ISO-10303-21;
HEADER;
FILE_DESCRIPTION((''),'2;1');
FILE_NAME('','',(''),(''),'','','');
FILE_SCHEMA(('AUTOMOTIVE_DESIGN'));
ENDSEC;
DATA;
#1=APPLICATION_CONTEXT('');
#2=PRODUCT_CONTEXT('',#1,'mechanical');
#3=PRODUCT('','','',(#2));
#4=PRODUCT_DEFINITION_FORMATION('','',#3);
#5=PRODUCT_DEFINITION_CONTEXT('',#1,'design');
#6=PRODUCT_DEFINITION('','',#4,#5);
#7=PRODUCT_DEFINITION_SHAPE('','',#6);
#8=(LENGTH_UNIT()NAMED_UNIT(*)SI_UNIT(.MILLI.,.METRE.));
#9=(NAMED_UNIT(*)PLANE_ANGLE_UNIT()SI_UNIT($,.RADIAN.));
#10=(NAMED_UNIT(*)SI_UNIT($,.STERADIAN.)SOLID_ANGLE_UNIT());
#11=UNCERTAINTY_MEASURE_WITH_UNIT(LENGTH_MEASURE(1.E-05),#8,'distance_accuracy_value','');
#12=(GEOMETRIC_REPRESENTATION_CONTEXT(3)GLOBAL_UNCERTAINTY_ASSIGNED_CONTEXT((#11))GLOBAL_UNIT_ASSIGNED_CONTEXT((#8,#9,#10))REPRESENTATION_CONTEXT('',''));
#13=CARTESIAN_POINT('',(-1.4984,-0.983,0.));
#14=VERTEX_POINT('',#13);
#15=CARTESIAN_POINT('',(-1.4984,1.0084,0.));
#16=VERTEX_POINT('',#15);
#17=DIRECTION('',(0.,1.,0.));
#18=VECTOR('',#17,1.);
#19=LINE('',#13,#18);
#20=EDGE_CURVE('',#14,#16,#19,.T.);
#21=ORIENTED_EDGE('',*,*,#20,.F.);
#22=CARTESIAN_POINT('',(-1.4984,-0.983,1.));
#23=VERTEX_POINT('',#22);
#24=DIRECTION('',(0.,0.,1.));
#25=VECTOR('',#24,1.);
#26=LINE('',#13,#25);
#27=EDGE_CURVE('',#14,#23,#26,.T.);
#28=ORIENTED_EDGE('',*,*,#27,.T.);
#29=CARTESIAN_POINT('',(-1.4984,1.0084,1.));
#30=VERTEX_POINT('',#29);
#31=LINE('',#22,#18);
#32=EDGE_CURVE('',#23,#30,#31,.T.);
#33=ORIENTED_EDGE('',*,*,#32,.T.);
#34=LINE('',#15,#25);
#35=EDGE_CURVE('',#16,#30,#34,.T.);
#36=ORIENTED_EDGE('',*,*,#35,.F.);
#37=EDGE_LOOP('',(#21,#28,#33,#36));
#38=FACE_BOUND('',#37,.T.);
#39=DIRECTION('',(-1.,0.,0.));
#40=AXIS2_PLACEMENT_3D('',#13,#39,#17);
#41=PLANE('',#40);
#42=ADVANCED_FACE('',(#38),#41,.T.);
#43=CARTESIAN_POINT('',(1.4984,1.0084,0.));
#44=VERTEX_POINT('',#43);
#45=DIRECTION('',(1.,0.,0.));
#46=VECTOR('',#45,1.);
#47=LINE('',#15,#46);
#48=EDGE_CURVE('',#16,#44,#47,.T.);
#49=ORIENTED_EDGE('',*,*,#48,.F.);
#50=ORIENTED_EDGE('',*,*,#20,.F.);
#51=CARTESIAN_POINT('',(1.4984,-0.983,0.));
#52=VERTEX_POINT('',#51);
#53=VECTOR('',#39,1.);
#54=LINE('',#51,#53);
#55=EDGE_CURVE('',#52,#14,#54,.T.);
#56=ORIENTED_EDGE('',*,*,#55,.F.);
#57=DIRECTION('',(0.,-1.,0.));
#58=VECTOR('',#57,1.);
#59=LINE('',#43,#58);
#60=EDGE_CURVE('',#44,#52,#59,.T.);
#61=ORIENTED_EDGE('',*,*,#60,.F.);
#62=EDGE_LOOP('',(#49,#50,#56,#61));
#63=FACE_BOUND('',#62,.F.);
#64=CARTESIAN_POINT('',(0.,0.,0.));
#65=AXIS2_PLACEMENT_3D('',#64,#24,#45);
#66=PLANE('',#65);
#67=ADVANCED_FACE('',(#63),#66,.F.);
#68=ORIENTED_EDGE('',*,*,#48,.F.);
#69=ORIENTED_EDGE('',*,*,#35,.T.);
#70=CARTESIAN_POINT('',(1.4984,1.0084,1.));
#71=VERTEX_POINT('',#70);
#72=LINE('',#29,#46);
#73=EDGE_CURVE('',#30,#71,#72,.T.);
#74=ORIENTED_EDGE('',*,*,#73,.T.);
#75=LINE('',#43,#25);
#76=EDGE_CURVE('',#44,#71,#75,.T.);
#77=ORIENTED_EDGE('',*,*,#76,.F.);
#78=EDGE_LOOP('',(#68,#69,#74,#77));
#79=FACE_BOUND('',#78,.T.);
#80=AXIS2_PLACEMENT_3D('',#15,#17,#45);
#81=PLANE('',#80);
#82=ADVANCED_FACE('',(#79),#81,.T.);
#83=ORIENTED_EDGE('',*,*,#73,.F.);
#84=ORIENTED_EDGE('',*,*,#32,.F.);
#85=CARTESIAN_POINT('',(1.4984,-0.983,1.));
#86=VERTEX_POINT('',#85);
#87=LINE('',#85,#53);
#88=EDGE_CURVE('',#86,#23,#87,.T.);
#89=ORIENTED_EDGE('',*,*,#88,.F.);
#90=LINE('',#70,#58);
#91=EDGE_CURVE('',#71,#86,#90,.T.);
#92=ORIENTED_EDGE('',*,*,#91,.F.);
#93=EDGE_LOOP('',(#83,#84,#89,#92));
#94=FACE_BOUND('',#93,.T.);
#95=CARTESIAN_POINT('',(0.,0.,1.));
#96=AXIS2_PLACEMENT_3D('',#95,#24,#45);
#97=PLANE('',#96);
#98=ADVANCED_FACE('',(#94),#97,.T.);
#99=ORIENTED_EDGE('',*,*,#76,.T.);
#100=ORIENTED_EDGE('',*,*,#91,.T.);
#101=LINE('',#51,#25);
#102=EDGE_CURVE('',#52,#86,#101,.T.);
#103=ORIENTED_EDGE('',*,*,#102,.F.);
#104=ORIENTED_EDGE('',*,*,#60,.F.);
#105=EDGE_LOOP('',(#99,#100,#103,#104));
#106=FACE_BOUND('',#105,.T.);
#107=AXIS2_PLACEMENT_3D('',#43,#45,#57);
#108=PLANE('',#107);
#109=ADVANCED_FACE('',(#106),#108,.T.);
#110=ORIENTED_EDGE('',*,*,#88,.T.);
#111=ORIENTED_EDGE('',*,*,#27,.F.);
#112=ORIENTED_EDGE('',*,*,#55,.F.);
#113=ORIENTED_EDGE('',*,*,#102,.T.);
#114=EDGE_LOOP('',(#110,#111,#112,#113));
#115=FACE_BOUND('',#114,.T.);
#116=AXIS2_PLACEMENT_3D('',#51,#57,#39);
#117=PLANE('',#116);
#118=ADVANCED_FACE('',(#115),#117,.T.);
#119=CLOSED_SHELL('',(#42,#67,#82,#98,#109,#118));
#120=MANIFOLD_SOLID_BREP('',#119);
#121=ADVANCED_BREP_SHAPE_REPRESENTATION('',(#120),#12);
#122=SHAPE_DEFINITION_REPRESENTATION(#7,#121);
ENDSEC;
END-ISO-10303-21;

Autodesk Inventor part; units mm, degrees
ref_plane "YZ Plane" through (0, 0, 0) normal (1, 0, 0) x (0, 1, 0)
ref_plane "XZ Plane" through (0, 0, 0) normal (0, 1, 0) x (-1, 0, 0)
ref_plane "XY Plane" through (0, 0, 0) normal (0, 0, 1) x (1, 0, 0)
sketch "0603-CAP, 10NF_6" plane through (0, 0, 0) normal (0, 0, 1) x (1, 0, 0)
  line L0 (-1.4984, 1.0084) -> (1.4984, 1.0084)
  line L1 (1.4984, 1.0084) -> (1.4984, -0.983)
  line L2 (1.4984, -0.983) -> (-1.4984, -0.983)
  line L3 (-1.4984, -0.983) -> (-1.4984, 1.0084)
extrude "Extrusion1" add sketch "0603-CAP, 10NF_6" along normal blind 1
properties part number "10NF"
